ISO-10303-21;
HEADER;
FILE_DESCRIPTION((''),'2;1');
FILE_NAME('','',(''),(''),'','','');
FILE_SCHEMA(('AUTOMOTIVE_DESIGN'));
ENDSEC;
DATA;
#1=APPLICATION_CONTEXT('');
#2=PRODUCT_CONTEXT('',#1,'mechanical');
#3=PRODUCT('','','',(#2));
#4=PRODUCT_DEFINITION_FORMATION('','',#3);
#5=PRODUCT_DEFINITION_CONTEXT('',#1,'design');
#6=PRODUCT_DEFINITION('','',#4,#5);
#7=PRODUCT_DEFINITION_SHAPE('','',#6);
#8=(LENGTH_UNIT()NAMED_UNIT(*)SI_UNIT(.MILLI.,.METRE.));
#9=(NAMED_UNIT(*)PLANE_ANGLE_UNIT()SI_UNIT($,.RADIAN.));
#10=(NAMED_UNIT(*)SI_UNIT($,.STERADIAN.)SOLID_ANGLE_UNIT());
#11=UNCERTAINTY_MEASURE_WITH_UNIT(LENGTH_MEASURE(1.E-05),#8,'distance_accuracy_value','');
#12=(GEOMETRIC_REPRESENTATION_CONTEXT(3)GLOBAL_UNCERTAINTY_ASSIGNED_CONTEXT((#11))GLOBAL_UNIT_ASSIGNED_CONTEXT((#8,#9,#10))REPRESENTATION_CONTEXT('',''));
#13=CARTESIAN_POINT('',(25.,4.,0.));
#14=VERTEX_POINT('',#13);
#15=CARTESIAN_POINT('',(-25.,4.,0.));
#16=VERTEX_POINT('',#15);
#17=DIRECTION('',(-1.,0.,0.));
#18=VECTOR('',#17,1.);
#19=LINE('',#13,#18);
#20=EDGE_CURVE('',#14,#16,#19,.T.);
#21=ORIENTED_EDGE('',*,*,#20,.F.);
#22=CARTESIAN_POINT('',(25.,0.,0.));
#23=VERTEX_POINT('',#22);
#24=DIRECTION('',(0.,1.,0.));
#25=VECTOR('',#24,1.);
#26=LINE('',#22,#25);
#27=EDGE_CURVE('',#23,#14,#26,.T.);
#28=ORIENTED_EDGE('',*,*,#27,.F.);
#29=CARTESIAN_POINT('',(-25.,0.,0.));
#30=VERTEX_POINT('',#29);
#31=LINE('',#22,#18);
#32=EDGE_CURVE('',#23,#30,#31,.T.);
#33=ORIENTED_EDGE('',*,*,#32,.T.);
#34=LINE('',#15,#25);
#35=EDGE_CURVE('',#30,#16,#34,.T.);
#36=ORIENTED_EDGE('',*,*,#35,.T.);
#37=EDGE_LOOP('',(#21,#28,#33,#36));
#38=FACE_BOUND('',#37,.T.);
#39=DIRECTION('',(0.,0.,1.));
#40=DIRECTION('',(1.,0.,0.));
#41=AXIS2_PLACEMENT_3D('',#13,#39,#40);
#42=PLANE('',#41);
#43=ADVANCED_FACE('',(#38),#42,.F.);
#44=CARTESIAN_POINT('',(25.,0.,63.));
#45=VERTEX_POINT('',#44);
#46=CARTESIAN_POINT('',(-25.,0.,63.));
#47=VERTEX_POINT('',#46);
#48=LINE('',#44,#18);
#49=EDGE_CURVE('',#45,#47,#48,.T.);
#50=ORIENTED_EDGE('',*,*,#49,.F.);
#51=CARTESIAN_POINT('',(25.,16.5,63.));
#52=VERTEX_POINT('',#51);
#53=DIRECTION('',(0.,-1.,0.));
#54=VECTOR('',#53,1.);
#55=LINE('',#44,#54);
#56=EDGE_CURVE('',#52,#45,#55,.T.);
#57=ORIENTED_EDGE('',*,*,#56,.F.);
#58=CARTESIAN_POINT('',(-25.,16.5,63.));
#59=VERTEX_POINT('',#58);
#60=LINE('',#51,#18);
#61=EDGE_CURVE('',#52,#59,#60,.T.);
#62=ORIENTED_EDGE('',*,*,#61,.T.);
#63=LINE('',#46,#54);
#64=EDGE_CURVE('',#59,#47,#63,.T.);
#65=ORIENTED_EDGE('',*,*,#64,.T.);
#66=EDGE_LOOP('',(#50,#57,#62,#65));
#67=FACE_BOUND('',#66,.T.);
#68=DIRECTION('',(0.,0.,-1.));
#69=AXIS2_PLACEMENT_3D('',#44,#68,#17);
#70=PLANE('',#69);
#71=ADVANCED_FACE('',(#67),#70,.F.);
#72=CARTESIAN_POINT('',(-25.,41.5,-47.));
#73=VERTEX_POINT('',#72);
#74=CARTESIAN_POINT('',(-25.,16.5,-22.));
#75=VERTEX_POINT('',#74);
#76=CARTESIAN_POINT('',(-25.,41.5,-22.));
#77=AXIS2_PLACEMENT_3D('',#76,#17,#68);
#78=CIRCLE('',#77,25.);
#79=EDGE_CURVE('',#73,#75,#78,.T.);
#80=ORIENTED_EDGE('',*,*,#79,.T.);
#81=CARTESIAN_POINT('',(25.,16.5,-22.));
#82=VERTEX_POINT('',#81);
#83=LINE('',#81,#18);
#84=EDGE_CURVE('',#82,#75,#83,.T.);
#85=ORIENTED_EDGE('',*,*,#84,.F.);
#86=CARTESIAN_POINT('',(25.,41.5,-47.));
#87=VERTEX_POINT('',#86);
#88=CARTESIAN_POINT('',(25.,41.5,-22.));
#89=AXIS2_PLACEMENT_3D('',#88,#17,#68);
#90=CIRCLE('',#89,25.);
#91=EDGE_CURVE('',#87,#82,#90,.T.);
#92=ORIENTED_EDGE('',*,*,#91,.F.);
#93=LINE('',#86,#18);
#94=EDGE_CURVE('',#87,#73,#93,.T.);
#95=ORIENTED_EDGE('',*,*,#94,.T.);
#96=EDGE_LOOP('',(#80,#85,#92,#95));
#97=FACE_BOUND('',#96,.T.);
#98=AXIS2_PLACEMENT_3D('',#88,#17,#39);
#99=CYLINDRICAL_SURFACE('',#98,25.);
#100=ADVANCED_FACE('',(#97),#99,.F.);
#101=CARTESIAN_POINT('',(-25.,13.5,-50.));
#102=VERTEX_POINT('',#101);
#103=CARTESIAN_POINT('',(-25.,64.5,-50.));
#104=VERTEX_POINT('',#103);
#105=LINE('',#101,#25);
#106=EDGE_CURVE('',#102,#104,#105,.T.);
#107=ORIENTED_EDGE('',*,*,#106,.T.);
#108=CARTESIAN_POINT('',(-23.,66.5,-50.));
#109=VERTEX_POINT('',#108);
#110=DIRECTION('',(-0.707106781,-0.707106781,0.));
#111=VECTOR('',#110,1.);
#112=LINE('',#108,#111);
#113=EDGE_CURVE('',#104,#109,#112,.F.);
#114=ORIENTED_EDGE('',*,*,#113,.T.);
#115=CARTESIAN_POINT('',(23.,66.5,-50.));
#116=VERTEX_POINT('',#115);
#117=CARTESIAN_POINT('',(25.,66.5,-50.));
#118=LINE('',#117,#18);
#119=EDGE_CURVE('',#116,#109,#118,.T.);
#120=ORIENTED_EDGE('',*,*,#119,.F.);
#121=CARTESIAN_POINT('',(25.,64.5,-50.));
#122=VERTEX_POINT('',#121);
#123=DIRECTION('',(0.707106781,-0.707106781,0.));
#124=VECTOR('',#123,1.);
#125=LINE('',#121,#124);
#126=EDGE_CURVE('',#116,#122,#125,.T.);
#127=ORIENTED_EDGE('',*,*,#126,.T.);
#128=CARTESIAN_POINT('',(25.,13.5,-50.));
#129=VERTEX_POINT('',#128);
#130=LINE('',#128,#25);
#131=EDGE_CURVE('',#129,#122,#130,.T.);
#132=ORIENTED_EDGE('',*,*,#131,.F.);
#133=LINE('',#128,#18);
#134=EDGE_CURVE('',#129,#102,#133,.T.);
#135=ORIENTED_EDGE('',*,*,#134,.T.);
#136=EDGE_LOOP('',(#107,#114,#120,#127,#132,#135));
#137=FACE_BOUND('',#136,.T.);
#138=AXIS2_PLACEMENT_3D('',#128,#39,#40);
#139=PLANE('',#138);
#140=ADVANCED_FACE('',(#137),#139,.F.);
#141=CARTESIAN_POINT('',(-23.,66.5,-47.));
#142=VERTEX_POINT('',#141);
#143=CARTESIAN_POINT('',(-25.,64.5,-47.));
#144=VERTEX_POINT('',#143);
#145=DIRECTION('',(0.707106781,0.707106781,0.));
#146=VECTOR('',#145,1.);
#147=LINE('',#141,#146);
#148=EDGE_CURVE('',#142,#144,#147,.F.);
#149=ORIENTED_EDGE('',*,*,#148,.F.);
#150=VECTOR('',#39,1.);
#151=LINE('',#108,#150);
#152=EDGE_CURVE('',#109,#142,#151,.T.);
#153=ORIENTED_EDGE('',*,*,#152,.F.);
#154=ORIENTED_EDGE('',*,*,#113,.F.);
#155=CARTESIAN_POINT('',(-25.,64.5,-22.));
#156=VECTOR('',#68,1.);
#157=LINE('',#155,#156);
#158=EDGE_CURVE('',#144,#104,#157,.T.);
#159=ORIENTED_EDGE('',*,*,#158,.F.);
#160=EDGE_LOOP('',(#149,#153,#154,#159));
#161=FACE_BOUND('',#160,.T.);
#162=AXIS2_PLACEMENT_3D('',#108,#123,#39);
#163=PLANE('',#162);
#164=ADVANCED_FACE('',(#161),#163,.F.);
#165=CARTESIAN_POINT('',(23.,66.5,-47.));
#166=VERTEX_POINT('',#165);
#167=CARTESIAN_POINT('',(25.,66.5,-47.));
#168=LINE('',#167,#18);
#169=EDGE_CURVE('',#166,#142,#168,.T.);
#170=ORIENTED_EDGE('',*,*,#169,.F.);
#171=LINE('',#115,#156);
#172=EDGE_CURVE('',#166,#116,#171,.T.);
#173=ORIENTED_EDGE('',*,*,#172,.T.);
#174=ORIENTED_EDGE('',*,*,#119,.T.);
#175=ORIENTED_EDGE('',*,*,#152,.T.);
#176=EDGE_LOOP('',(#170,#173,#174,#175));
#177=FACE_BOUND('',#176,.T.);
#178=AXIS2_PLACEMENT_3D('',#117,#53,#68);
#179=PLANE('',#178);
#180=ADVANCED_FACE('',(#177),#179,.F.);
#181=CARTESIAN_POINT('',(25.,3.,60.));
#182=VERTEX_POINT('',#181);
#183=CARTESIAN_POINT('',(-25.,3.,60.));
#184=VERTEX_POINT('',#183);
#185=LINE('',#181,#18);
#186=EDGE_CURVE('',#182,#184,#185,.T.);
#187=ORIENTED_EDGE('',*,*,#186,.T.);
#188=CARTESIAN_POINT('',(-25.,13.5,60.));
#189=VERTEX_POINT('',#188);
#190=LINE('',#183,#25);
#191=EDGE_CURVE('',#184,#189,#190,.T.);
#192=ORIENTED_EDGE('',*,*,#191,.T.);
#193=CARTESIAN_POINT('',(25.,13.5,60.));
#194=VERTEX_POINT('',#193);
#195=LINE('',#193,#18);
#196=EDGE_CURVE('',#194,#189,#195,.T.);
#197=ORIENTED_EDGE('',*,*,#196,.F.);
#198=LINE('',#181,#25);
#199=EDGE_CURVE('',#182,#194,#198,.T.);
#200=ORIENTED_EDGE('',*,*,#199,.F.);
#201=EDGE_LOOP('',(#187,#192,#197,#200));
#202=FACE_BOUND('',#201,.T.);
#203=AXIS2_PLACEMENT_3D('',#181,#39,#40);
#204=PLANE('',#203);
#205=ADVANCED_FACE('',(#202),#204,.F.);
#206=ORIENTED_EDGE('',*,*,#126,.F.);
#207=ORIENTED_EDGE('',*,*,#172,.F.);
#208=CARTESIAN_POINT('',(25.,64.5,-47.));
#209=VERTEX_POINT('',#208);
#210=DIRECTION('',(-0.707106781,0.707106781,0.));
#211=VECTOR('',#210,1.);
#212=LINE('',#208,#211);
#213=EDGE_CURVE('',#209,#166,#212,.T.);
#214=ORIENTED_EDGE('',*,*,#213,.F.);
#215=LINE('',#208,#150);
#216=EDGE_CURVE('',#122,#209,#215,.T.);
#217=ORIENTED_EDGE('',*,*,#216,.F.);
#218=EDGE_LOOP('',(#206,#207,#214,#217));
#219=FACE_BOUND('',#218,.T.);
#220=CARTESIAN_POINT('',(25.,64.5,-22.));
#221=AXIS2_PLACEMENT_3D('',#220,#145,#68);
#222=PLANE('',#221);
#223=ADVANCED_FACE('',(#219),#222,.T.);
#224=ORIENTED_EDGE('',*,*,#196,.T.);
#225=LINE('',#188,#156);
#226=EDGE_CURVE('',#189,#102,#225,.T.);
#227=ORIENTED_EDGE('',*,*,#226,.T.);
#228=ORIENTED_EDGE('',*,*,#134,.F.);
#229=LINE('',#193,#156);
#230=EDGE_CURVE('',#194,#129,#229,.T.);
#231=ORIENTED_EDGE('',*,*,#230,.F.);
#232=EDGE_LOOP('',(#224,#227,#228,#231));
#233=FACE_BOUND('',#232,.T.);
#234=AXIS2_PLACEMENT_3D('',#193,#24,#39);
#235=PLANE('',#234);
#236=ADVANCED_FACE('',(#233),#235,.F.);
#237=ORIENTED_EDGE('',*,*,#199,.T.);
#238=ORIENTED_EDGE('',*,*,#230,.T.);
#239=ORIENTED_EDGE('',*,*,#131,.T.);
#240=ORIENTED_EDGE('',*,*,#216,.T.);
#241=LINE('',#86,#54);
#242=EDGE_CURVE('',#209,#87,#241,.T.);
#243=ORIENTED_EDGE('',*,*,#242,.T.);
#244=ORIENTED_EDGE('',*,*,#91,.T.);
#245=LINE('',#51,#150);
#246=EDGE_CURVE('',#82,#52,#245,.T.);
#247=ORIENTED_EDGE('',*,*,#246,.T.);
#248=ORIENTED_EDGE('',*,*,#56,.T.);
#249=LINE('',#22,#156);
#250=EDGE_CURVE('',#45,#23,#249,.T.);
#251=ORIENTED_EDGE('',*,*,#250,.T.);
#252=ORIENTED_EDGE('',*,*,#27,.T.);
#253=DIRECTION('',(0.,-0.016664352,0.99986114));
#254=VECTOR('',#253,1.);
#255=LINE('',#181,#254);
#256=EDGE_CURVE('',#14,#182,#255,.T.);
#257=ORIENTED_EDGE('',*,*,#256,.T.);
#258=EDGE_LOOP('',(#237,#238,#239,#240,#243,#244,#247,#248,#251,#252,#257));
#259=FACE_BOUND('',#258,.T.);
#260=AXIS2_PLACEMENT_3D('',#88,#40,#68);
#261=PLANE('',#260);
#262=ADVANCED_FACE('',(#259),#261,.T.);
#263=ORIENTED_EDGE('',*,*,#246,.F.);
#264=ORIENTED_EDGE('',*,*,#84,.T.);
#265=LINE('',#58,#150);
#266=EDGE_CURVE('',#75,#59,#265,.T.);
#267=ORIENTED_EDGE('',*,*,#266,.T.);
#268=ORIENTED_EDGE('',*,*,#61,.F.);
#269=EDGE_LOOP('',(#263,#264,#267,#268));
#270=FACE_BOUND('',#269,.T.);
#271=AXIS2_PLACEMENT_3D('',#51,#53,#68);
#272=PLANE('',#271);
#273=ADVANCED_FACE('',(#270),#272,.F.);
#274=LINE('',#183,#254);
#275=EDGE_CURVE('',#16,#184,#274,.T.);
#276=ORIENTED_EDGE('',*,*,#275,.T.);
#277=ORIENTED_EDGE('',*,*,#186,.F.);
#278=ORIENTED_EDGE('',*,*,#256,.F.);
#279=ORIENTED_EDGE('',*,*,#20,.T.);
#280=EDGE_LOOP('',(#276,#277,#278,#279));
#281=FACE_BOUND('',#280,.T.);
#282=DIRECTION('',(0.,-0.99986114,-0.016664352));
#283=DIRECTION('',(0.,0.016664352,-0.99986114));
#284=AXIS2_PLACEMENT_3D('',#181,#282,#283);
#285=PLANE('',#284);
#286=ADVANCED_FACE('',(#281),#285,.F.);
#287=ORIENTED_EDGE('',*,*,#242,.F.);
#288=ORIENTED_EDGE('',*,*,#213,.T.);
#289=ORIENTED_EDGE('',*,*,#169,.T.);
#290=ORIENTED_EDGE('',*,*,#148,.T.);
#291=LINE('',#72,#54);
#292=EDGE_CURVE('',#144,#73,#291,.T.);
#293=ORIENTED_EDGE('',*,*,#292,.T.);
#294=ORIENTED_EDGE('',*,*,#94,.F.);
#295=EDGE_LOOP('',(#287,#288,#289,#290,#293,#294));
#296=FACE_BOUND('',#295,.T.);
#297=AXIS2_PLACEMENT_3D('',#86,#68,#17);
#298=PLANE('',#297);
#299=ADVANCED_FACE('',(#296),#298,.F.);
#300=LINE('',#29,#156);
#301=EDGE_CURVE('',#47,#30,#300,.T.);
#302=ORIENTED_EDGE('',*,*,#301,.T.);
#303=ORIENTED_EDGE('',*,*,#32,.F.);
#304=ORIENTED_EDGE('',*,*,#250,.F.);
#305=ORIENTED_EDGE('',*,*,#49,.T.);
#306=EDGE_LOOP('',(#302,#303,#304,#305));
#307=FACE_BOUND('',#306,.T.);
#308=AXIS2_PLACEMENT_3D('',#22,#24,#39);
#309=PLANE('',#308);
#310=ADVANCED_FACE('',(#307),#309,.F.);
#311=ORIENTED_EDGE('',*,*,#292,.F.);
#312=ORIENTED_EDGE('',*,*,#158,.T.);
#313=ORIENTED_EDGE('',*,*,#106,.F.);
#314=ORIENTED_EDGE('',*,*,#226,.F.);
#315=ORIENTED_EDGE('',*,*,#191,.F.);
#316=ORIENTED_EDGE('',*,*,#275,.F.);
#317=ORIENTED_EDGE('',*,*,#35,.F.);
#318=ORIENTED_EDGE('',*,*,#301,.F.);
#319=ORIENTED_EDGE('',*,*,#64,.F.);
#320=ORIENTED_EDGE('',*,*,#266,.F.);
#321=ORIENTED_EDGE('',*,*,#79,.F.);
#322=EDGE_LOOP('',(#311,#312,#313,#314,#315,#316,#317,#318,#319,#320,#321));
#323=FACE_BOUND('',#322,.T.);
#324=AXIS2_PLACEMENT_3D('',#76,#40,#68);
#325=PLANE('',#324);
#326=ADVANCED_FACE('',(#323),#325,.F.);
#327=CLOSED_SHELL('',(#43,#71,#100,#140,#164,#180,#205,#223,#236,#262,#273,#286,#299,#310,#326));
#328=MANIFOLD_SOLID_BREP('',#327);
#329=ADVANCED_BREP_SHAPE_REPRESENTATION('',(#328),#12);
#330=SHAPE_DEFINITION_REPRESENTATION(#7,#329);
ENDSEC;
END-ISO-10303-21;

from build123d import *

# Parameters (mm, degrees)
RESSALTO_EXTRUS_O1_DEPTH = 25
CHANFRO1_SIZE            = 2


with BuildPart() as part:
    # Esboço1 → Ressalto-extrusão1 (new, symmetric)
    with BuildSketch(Plane(origin=(0, 0, 0), x_dir=(0, 0, -1), z_dir=(1, 0, 0))):
        with BuildLine():
            Line((0, 0), (-63, 0))
            Line((-63, 0), (-63, 16.5))
            Line((-63, 16.5), (22, 16.5))
            ThreePointArc((22, 16.5), (39.67766953, 23.82233047), (47, 41.5))
            Line((47, 41.5), (47, 66.5))
            Line((47, 66.5), (50, 66.5))
            Line((50, 66.5), (50, 13.5))
            Line((50, 13.5), (-60, 13.5))
            Line((-60, 13.5), (-60, 3))
            Line((-60, 3), (0, 4))
            Line((0, 4), (0, 3))
            Line((0, 3), (0, 0))
        make_face()
    extrude(amount=RESSALTO_EXTRUS_O1_DEPTH, both=True)

    # Chanfro1
    chanfro1_edges = [part.edges().sort_by_distance(p)[0] for p in [
        (-25, 66.5, -48.5),
        (25, 66.5, -48.5),
    ]]
    chamfer(chanfro1_edges, length=CHANFRO1_SIZE)


solid = part.part
